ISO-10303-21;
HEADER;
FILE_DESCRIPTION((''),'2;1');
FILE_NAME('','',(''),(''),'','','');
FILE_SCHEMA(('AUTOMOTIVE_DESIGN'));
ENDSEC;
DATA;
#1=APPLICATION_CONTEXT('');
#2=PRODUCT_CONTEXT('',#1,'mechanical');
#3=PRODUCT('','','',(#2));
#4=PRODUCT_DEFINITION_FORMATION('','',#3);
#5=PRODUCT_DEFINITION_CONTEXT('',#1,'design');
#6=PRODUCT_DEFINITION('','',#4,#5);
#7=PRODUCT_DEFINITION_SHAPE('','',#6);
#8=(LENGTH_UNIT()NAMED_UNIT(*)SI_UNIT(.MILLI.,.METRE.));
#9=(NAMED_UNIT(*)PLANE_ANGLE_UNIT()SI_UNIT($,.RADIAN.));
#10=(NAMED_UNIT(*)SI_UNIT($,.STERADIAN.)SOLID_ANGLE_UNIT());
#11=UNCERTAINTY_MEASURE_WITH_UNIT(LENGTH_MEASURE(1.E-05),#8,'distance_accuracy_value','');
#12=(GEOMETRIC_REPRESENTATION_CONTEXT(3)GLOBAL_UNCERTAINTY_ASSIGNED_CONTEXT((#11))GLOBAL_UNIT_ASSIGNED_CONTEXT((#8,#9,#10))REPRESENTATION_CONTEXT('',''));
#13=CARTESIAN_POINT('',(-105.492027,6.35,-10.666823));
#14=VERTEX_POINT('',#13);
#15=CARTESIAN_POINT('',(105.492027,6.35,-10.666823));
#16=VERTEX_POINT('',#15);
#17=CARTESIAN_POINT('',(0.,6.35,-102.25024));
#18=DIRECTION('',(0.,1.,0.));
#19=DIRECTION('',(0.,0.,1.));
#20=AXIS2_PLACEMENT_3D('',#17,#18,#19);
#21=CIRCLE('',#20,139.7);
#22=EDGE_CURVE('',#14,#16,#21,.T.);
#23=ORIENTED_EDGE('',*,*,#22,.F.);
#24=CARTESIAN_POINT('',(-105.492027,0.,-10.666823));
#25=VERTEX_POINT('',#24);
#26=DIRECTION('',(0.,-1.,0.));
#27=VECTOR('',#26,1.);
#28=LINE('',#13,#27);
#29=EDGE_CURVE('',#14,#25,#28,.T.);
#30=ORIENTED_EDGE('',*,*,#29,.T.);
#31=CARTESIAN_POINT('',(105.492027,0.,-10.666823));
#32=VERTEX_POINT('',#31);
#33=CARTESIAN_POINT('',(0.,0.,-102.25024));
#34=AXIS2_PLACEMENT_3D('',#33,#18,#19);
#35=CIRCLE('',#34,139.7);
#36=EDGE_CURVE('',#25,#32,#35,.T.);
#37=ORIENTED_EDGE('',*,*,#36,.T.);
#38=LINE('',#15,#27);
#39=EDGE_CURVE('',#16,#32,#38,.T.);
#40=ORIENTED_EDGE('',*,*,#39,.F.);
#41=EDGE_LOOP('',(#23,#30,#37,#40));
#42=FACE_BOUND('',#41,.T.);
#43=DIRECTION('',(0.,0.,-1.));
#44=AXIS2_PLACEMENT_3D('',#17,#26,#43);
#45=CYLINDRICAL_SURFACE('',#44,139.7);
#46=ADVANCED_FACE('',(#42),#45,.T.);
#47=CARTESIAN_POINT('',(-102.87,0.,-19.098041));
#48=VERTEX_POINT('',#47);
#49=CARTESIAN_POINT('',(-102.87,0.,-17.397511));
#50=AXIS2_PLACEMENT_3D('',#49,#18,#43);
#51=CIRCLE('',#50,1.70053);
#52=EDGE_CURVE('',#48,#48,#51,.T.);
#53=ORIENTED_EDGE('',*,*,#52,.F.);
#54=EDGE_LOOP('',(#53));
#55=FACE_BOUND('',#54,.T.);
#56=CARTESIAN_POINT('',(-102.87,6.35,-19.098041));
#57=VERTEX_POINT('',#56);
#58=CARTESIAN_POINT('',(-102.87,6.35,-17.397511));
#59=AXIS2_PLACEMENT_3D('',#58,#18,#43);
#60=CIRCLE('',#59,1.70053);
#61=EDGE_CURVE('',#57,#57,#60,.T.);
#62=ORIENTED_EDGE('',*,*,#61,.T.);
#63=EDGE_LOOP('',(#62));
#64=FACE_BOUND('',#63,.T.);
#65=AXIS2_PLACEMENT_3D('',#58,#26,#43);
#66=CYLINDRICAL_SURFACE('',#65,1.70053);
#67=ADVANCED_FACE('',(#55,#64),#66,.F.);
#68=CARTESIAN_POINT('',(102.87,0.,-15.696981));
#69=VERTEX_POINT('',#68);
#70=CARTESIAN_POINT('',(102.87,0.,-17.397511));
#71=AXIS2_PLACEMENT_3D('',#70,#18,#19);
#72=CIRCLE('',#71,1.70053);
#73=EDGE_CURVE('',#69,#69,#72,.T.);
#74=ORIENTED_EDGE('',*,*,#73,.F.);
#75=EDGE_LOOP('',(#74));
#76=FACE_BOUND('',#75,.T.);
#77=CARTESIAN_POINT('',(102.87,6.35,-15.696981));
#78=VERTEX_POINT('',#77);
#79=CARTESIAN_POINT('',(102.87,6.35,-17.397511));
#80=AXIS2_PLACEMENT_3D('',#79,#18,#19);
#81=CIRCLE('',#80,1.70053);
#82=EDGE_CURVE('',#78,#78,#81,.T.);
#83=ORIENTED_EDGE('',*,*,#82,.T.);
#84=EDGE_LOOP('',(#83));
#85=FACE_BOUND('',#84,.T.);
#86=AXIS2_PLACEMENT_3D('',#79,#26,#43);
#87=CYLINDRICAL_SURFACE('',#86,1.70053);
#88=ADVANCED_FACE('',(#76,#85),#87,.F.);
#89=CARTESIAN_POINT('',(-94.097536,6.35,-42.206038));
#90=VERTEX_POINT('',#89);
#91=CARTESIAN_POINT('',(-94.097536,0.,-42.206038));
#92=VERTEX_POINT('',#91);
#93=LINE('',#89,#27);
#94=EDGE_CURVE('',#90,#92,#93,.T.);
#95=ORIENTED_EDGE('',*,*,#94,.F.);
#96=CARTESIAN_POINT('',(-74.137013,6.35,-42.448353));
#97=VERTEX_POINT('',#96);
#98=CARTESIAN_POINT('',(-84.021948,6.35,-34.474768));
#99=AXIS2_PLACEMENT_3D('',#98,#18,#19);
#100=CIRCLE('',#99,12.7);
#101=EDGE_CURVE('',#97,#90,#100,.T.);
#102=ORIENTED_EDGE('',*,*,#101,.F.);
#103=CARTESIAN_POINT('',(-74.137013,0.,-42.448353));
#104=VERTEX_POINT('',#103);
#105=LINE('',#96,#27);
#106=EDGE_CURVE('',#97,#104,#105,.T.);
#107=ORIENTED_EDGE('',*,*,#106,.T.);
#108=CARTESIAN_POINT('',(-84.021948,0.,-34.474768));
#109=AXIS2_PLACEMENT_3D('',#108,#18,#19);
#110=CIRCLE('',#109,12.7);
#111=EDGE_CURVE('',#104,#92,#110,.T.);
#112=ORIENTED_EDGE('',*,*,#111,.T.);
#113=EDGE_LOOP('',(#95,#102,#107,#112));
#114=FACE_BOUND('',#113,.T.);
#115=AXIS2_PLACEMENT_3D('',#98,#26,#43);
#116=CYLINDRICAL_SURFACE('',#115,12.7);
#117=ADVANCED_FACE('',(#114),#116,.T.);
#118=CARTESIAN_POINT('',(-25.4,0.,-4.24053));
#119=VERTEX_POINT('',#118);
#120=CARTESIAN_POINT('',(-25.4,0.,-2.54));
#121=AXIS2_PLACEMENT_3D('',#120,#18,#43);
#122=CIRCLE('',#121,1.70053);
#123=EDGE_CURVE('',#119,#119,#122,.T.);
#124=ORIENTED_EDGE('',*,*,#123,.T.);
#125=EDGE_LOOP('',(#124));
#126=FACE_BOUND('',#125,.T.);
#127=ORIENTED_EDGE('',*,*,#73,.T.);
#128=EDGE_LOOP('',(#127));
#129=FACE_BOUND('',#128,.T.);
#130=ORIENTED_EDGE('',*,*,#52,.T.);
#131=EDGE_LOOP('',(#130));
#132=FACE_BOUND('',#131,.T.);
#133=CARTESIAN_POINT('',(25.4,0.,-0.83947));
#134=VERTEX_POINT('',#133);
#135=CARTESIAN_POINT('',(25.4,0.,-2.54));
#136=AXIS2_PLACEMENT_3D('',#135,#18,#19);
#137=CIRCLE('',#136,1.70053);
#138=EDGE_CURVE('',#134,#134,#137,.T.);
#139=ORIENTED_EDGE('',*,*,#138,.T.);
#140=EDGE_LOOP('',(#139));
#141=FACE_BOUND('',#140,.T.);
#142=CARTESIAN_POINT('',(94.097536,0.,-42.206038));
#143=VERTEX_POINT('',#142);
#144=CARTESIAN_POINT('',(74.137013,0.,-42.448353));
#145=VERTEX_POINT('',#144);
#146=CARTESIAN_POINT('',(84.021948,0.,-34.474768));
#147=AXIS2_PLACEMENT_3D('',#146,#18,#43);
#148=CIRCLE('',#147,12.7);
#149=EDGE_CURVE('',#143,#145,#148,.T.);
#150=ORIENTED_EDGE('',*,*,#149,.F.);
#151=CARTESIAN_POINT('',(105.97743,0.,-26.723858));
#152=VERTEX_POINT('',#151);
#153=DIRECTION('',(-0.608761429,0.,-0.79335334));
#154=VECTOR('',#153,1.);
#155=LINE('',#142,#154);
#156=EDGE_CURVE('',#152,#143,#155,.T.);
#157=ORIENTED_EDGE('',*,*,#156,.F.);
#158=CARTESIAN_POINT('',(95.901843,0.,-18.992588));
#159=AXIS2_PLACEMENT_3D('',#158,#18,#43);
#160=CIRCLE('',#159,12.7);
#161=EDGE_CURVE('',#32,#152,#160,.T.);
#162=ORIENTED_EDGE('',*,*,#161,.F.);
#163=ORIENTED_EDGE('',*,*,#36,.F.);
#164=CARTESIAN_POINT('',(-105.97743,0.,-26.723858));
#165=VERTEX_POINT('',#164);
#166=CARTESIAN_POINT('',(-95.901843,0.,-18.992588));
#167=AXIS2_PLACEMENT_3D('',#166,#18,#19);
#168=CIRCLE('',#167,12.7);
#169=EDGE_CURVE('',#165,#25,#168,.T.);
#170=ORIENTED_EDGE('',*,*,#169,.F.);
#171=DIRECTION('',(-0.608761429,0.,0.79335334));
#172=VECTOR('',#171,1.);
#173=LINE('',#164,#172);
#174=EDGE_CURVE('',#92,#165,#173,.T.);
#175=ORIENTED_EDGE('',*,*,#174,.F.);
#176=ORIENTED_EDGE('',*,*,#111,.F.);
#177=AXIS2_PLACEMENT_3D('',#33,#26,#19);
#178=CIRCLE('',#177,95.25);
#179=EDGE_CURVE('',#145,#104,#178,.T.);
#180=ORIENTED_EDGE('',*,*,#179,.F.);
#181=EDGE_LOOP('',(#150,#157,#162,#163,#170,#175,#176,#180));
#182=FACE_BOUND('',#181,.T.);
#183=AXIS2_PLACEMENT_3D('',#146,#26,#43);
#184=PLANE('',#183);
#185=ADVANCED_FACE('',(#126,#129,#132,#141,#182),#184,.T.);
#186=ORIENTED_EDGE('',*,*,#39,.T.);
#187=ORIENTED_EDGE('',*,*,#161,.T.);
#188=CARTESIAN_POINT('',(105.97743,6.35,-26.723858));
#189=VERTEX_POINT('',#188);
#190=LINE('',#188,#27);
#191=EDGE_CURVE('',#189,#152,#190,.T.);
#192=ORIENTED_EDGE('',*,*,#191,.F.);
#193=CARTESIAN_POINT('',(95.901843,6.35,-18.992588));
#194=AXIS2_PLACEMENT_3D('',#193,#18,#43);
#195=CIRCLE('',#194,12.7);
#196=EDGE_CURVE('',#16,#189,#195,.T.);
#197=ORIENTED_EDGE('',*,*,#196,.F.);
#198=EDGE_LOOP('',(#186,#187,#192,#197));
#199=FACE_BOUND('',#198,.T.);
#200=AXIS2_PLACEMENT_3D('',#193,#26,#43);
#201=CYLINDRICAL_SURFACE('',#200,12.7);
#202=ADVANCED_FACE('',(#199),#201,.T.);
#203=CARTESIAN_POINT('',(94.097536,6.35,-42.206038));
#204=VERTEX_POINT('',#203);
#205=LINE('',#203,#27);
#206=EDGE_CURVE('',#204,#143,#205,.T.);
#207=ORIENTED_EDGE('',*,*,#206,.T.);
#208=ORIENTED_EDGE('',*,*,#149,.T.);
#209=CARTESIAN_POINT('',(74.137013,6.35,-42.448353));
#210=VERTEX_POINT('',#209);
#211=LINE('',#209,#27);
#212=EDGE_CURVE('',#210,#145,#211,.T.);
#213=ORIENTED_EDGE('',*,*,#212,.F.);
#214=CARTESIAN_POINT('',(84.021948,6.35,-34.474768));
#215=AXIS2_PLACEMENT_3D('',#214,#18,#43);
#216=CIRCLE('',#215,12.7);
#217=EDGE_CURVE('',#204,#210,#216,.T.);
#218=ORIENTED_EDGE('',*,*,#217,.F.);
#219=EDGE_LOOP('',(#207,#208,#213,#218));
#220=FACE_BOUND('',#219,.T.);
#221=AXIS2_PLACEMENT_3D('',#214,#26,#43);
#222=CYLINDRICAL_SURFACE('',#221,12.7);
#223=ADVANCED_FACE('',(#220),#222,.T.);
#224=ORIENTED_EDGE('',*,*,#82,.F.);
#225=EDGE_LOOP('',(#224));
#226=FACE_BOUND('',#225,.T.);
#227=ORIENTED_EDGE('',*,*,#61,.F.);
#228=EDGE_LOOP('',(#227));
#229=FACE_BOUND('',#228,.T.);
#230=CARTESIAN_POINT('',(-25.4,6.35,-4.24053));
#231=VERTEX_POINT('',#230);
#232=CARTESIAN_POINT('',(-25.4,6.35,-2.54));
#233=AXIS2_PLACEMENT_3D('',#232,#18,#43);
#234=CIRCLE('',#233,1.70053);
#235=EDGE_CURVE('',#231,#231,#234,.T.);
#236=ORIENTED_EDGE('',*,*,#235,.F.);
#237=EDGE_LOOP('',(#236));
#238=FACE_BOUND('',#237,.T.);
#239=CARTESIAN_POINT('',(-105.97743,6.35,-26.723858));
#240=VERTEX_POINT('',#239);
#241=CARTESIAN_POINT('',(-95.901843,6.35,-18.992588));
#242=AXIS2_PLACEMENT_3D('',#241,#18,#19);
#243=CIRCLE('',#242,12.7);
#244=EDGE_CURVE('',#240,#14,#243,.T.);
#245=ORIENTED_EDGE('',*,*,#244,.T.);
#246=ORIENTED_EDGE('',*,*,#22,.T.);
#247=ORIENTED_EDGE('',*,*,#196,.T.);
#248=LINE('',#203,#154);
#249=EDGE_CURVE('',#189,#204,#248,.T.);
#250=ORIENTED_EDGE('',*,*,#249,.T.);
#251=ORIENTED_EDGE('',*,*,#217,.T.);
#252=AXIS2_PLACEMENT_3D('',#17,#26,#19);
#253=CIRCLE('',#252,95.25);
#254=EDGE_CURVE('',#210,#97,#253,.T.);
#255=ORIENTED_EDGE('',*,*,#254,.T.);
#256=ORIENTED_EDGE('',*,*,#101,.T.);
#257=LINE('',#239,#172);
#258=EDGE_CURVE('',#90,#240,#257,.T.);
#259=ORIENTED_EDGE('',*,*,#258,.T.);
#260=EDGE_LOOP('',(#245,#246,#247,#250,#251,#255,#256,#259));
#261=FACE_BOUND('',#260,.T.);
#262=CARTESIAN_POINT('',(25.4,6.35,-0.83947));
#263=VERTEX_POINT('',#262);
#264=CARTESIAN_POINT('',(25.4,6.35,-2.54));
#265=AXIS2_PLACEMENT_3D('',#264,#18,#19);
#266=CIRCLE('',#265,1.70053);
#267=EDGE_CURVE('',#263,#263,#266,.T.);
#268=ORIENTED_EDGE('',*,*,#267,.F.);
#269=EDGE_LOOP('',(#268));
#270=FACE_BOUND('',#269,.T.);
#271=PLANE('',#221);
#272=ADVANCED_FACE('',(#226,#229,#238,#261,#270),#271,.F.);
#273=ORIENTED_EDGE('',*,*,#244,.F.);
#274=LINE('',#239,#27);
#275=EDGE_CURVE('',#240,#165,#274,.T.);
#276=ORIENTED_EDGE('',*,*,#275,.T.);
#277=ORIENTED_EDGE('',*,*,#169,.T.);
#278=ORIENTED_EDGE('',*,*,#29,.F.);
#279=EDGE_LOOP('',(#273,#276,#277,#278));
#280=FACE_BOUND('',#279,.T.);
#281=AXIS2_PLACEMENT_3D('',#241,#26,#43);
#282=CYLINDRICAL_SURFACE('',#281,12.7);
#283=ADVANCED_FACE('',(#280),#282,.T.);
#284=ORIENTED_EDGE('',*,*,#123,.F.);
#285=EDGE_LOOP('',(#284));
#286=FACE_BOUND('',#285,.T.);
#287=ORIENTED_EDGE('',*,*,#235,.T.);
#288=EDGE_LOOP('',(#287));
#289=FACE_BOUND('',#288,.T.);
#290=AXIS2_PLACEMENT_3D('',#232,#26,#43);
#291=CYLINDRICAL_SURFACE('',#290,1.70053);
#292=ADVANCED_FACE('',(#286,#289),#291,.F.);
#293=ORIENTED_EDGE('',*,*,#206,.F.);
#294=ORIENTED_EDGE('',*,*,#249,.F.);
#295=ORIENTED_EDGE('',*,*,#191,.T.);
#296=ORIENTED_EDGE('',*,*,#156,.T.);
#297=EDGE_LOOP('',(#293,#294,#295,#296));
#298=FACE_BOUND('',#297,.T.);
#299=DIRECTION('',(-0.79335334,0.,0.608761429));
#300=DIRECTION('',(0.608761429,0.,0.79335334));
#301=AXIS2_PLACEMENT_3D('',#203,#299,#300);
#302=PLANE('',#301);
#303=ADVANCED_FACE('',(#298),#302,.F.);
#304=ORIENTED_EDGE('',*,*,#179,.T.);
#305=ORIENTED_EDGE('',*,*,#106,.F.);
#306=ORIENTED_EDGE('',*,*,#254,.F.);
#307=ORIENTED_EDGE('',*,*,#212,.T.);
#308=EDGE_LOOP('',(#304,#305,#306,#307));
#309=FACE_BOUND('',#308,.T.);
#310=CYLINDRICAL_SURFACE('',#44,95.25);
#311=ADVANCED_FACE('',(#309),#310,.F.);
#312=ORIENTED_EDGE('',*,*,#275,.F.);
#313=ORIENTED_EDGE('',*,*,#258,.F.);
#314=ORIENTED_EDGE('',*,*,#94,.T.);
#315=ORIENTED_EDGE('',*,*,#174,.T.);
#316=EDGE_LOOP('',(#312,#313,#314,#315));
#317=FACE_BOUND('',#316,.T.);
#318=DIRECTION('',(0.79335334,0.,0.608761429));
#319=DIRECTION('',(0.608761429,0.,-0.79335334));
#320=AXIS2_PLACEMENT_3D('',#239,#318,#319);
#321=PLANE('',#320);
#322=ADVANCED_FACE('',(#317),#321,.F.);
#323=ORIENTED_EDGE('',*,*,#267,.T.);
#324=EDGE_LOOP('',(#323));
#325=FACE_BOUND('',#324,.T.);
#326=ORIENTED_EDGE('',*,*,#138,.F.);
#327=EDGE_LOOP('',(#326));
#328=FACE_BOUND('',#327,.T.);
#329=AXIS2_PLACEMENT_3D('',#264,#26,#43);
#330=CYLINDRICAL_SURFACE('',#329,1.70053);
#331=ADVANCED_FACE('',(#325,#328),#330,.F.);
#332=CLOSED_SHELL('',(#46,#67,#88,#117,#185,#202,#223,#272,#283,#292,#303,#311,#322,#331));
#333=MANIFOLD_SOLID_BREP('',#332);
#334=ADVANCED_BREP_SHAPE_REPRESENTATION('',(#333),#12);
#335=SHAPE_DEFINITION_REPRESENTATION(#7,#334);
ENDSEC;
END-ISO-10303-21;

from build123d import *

# Parameters (mm, degrees)
SKETCH1_R           = 1.70053
BOSS_EXTRUDE1_DEPTH = 6.35


with BuildPart() as part:
    # Sketch1 → Boss-Extrude1 (new body)
    with BuildSketch(Plane(origin=(0, 0, 0), x_dir=(1, 0, 0), z_dir=(0, 1, 0))):
        with BuildLine():
            Line((-105.977429974, 26.723858277), (-94.097535909, 42.20603765))
            ThreePointArc((-94.097535909, 42.20603765), (-84.176111379, 47.17383179), (-74.137013371, 42.448352501))
            ThreePointArc((-74.137013371, 42.448352501), (0, 7.00024), (74.137013371, 42.448352501))
            ThreePointArc((74.137013371, 42.448352501), (84.176111379, 47.17383179), (94.097535909, 42.20603765))
            Line((94.097535909, 42.20603765), (105.977429974, 26.723858277))
            ThreePointArc((105.977429974, 26.723858277), (108.596043585, 18.608843232), (105.492026807, 10.666822942))
            ThreePointArc((105.492026807, 10.666822942), (0, -37.44976), (-105.492026807, 10.666822942))
            ThreePointArc((-105.492026807, 10.666822942), (-108.596043585, 18.608843232), (-105.977429974, 26.723858277))
        make_face()
        with Locations(Location((102.87, 17.39751111, 0), (0, 0, 270))):
            Circle(SKETCH1_R, mode=Mode.SUBTRACT)
        with Locations(Location((25.4, 2.54, 0), (0, 0, 270))):
            Circle(SKETCH1_R, mode=Mode.SUBTRACT)
        with Locations(Location((-102.87, 17.39751111, 0), (0, 0, 90))):
            Circle(SKETCH1_R, mode=Mode.SUBTRACT)
        with Locations(Location((-25.4, 2.54, 0), (0, 0, 90))):
            Circle(SKETCH1_R, mode=Mode.SUBTRACT)
    extrude(amount=BOSS_EXTRUDE1_DEPTH)


solid = part.part
